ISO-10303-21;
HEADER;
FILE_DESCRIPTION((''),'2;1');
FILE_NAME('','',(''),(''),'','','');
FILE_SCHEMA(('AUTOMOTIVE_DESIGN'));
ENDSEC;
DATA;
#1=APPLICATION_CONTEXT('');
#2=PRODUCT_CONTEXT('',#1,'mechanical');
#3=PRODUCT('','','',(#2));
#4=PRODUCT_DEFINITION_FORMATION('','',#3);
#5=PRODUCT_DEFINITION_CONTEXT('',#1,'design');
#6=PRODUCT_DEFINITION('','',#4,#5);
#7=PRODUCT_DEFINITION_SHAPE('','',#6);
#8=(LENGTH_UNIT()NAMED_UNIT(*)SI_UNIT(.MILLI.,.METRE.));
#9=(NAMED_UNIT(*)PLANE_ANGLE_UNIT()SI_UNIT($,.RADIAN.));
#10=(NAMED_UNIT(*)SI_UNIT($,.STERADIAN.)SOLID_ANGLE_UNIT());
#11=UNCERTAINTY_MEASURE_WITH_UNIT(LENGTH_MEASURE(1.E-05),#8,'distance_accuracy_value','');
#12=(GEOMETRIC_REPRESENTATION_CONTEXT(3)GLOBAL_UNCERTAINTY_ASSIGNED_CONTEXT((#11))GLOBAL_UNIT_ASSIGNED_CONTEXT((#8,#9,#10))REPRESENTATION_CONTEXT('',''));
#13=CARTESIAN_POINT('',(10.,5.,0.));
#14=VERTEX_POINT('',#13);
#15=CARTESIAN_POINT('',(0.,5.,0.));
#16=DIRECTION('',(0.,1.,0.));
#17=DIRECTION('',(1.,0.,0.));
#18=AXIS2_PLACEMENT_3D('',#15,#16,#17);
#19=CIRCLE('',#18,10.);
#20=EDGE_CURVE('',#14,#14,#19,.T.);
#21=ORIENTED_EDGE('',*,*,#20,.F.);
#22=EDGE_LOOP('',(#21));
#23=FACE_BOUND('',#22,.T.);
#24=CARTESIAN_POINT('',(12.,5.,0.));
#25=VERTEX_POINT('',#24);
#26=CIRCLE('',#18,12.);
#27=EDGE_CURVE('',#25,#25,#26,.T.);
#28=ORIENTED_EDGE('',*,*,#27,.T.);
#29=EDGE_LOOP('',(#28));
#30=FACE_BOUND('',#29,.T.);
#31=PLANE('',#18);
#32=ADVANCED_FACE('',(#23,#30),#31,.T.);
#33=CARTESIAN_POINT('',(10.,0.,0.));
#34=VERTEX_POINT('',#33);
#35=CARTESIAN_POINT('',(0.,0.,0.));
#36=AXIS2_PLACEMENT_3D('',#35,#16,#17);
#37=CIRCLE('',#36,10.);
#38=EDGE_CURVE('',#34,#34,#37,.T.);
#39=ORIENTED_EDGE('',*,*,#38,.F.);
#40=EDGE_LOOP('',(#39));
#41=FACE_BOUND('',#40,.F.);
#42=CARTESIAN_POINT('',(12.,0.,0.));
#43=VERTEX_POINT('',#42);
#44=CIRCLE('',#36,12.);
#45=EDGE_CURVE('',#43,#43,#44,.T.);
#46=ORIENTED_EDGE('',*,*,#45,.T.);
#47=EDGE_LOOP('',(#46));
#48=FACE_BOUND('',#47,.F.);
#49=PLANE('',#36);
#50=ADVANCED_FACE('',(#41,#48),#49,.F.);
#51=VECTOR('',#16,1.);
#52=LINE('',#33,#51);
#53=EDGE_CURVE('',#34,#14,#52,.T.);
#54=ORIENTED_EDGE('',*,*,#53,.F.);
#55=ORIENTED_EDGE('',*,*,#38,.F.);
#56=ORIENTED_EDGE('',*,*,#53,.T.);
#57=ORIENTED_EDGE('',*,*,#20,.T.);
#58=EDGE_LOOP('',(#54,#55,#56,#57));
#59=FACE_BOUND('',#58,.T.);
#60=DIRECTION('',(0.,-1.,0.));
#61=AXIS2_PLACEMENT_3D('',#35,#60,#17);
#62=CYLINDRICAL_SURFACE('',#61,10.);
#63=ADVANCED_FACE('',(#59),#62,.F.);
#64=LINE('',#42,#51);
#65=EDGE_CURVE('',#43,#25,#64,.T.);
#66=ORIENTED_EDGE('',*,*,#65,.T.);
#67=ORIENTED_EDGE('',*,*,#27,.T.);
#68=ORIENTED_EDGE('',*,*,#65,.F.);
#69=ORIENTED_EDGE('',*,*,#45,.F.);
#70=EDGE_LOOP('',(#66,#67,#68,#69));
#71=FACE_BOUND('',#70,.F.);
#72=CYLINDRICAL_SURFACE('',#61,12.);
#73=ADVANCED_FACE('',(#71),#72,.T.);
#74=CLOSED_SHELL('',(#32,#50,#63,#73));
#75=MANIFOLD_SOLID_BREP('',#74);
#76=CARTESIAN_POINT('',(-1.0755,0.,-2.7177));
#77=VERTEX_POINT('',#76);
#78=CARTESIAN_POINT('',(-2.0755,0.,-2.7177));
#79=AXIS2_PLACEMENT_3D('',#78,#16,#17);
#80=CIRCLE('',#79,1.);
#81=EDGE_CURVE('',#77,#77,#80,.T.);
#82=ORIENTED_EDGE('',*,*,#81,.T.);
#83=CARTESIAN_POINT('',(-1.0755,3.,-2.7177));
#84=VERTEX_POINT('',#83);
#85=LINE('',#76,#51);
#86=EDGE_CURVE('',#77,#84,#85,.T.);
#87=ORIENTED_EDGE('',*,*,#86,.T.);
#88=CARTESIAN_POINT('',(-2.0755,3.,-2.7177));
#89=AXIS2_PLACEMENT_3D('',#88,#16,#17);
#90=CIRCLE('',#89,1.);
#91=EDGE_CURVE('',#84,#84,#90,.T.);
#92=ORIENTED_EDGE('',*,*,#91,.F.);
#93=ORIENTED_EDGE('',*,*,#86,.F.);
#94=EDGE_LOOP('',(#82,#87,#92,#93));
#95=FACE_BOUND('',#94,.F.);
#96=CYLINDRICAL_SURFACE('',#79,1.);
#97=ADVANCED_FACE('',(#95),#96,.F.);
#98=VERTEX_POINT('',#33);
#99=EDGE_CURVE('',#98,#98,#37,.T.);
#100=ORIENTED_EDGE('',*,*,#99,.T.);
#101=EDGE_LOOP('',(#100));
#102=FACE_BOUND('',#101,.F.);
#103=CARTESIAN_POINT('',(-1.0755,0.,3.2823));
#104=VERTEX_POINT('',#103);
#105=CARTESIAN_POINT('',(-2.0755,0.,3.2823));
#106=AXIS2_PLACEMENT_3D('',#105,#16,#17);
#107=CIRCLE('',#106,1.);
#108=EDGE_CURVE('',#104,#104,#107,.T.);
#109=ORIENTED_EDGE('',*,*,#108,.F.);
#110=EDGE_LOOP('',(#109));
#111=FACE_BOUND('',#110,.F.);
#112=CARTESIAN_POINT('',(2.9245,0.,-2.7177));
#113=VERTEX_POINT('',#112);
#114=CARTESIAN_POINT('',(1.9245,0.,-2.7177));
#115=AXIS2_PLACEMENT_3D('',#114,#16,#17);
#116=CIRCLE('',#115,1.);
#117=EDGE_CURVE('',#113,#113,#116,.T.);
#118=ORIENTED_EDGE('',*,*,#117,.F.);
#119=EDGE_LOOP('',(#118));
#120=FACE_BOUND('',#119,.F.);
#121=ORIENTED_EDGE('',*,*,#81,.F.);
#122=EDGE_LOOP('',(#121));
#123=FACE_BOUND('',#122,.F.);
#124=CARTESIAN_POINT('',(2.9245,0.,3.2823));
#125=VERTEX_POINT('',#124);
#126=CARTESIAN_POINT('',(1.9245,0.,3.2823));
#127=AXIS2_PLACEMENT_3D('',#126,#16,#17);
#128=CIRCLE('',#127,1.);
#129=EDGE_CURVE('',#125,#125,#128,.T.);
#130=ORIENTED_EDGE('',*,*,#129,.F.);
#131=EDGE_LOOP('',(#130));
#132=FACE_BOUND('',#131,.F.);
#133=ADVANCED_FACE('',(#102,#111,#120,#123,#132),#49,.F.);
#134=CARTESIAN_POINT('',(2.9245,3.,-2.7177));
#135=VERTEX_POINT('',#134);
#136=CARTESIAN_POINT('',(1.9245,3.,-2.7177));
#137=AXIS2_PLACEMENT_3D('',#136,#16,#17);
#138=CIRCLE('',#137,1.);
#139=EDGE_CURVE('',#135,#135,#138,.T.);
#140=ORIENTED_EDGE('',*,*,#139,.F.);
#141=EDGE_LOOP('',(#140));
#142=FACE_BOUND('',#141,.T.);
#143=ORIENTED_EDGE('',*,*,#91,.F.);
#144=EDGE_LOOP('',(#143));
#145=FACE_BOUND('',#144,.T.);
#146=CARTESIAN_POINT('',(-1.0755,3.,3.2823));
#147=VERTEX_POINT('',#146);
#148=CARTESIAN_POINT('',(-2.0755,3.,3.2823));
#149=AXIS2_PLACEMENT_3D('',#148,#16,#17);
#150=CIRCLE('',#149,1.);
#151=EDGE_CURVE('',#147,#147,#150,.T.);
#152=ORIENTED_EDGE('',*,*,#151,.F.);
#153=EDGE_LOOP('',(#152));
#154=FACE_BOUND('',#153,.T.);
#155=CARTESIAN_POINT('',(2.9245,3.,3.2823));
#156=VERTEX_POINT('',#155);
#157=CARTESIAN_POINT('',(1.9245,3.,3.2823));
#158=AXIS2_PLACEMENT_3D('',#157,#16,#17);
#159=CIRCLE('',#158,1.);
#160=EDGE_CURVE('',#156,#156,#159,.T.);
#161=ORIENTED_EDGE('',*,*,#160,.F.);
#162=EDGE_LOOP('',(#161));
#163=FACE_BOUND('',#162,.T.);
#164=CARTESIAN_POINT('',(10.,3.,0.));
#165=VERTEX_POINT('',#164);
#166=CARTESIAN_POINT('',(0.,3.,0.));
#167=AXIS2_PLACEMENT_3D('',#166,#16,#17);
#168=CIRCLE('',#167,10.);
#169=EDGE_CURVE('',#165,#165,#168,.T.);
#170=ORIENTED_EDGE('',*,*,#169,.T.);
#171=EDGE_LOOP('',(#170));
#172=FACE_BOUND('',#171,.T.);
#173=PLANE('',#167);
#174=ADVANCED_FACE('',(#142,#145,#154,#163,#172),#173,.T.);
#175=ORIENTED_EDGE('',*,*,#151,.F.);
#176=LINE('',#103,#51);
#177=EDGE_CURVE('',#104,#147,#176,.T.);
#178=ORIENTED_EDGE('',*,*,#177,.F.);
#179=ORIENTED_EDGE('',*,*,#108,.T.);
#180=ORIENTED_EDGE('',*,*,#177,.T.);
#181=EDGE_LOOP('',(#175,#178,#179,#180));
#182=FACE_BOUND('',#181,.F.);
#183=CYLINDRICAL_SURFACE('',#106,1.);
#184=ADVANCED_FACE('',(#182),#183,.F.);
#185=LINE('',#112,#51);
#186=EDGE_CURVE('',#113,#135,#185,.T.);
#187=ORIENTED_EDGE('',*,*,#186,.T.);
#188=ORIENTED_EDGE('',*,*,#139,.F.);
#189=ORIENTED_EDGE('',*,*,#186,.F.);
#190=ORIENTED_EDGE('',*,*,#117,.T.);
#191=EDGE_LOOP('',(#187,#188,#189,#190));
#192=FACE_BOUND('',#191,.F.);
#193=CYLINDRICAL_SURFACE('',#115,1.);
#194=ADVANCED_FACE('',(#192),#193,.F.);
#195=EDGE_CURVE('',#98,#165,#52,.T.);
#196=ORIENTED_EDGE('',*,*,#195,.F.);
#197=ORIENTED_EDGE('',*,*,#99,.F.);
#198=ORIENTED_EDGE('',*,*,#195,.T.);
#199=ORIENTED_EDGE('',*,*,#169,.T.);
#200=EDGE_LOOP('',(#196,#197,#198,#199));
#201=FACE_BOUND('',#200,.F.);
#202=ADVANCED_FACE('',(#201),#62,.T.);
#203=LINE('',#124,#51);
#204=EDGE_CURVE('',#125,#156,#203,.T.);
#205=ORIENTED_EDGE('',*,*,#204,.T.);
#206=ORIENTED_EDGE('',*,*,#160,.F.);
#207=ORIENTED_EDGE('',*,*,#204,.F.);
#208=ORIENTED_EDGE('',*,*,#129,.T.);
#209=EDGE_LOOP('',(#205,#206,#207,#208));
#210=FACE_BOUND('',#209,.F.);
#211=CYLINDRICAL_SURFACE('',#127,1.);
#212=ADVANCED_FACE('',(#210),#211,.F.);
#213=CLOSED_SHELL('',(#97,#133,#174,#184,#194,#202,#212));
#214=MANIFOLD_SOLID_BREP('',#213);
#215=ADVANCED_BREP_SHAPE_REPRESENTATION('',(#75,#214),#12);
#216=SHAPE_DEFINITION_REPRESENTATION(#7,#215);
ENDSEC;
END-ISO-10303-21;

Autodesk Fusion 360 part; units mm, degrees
sketch "草图1" plane through (0, 0, 0) normal (0, 1, 0) x (1, 0, 0)
  circle A0 centre (0, 0) radius 10
  circle A1 centre (0, 0) radius 12
  dimension "d1" = 20
  dimension "d2" = 2
extrude "拉伸1" add sketch "草图1" along normal blind 3 contours A0 makes body 1
extrude "拉伸2" add sketch "草图1" along normal blind 5 separate body makes body 2
cylinder "圆柱体基本要素1" add diameter 2 height 20 placed x (1, 0, 0) y (0, 0, -1) z (0, 1, 0) at (0, 0, 25) separate body makes body 3
move_body "移动1" bodies 3 to x (1, 0, 0) y (0, 1, 0) z (0, 0, 1) at (0.0076, 0, -25.0072)
pattern_linear "R-阵列1" count 2 spacing 6 along (0, 0, 1) count 2 spacing 4 along (-1, 0, 0) of bodies 3 makes body 4 at (1.0026, 13.3333, 6.0924) makes body 5 at (-2.9974, 13.3333, 0.0924) makes body 6 at (-2.9974, 13.3333, 6.0924)
move_body "移动2" bodies 5 3 4 6 to x (1, 0, 0) y (0, 1, 0) z (0, 0, 1) at (1.7837, 0, -3.11)
move_body "移动3" bodies 3 4 5 6 to x (1, 0, 0) y (0, 1, 0) z (0, 0, 1) at (0.1332, 0, 0.3995)
combine "合并1" operation cut target body 1 tool bodies 3 4 5 6
